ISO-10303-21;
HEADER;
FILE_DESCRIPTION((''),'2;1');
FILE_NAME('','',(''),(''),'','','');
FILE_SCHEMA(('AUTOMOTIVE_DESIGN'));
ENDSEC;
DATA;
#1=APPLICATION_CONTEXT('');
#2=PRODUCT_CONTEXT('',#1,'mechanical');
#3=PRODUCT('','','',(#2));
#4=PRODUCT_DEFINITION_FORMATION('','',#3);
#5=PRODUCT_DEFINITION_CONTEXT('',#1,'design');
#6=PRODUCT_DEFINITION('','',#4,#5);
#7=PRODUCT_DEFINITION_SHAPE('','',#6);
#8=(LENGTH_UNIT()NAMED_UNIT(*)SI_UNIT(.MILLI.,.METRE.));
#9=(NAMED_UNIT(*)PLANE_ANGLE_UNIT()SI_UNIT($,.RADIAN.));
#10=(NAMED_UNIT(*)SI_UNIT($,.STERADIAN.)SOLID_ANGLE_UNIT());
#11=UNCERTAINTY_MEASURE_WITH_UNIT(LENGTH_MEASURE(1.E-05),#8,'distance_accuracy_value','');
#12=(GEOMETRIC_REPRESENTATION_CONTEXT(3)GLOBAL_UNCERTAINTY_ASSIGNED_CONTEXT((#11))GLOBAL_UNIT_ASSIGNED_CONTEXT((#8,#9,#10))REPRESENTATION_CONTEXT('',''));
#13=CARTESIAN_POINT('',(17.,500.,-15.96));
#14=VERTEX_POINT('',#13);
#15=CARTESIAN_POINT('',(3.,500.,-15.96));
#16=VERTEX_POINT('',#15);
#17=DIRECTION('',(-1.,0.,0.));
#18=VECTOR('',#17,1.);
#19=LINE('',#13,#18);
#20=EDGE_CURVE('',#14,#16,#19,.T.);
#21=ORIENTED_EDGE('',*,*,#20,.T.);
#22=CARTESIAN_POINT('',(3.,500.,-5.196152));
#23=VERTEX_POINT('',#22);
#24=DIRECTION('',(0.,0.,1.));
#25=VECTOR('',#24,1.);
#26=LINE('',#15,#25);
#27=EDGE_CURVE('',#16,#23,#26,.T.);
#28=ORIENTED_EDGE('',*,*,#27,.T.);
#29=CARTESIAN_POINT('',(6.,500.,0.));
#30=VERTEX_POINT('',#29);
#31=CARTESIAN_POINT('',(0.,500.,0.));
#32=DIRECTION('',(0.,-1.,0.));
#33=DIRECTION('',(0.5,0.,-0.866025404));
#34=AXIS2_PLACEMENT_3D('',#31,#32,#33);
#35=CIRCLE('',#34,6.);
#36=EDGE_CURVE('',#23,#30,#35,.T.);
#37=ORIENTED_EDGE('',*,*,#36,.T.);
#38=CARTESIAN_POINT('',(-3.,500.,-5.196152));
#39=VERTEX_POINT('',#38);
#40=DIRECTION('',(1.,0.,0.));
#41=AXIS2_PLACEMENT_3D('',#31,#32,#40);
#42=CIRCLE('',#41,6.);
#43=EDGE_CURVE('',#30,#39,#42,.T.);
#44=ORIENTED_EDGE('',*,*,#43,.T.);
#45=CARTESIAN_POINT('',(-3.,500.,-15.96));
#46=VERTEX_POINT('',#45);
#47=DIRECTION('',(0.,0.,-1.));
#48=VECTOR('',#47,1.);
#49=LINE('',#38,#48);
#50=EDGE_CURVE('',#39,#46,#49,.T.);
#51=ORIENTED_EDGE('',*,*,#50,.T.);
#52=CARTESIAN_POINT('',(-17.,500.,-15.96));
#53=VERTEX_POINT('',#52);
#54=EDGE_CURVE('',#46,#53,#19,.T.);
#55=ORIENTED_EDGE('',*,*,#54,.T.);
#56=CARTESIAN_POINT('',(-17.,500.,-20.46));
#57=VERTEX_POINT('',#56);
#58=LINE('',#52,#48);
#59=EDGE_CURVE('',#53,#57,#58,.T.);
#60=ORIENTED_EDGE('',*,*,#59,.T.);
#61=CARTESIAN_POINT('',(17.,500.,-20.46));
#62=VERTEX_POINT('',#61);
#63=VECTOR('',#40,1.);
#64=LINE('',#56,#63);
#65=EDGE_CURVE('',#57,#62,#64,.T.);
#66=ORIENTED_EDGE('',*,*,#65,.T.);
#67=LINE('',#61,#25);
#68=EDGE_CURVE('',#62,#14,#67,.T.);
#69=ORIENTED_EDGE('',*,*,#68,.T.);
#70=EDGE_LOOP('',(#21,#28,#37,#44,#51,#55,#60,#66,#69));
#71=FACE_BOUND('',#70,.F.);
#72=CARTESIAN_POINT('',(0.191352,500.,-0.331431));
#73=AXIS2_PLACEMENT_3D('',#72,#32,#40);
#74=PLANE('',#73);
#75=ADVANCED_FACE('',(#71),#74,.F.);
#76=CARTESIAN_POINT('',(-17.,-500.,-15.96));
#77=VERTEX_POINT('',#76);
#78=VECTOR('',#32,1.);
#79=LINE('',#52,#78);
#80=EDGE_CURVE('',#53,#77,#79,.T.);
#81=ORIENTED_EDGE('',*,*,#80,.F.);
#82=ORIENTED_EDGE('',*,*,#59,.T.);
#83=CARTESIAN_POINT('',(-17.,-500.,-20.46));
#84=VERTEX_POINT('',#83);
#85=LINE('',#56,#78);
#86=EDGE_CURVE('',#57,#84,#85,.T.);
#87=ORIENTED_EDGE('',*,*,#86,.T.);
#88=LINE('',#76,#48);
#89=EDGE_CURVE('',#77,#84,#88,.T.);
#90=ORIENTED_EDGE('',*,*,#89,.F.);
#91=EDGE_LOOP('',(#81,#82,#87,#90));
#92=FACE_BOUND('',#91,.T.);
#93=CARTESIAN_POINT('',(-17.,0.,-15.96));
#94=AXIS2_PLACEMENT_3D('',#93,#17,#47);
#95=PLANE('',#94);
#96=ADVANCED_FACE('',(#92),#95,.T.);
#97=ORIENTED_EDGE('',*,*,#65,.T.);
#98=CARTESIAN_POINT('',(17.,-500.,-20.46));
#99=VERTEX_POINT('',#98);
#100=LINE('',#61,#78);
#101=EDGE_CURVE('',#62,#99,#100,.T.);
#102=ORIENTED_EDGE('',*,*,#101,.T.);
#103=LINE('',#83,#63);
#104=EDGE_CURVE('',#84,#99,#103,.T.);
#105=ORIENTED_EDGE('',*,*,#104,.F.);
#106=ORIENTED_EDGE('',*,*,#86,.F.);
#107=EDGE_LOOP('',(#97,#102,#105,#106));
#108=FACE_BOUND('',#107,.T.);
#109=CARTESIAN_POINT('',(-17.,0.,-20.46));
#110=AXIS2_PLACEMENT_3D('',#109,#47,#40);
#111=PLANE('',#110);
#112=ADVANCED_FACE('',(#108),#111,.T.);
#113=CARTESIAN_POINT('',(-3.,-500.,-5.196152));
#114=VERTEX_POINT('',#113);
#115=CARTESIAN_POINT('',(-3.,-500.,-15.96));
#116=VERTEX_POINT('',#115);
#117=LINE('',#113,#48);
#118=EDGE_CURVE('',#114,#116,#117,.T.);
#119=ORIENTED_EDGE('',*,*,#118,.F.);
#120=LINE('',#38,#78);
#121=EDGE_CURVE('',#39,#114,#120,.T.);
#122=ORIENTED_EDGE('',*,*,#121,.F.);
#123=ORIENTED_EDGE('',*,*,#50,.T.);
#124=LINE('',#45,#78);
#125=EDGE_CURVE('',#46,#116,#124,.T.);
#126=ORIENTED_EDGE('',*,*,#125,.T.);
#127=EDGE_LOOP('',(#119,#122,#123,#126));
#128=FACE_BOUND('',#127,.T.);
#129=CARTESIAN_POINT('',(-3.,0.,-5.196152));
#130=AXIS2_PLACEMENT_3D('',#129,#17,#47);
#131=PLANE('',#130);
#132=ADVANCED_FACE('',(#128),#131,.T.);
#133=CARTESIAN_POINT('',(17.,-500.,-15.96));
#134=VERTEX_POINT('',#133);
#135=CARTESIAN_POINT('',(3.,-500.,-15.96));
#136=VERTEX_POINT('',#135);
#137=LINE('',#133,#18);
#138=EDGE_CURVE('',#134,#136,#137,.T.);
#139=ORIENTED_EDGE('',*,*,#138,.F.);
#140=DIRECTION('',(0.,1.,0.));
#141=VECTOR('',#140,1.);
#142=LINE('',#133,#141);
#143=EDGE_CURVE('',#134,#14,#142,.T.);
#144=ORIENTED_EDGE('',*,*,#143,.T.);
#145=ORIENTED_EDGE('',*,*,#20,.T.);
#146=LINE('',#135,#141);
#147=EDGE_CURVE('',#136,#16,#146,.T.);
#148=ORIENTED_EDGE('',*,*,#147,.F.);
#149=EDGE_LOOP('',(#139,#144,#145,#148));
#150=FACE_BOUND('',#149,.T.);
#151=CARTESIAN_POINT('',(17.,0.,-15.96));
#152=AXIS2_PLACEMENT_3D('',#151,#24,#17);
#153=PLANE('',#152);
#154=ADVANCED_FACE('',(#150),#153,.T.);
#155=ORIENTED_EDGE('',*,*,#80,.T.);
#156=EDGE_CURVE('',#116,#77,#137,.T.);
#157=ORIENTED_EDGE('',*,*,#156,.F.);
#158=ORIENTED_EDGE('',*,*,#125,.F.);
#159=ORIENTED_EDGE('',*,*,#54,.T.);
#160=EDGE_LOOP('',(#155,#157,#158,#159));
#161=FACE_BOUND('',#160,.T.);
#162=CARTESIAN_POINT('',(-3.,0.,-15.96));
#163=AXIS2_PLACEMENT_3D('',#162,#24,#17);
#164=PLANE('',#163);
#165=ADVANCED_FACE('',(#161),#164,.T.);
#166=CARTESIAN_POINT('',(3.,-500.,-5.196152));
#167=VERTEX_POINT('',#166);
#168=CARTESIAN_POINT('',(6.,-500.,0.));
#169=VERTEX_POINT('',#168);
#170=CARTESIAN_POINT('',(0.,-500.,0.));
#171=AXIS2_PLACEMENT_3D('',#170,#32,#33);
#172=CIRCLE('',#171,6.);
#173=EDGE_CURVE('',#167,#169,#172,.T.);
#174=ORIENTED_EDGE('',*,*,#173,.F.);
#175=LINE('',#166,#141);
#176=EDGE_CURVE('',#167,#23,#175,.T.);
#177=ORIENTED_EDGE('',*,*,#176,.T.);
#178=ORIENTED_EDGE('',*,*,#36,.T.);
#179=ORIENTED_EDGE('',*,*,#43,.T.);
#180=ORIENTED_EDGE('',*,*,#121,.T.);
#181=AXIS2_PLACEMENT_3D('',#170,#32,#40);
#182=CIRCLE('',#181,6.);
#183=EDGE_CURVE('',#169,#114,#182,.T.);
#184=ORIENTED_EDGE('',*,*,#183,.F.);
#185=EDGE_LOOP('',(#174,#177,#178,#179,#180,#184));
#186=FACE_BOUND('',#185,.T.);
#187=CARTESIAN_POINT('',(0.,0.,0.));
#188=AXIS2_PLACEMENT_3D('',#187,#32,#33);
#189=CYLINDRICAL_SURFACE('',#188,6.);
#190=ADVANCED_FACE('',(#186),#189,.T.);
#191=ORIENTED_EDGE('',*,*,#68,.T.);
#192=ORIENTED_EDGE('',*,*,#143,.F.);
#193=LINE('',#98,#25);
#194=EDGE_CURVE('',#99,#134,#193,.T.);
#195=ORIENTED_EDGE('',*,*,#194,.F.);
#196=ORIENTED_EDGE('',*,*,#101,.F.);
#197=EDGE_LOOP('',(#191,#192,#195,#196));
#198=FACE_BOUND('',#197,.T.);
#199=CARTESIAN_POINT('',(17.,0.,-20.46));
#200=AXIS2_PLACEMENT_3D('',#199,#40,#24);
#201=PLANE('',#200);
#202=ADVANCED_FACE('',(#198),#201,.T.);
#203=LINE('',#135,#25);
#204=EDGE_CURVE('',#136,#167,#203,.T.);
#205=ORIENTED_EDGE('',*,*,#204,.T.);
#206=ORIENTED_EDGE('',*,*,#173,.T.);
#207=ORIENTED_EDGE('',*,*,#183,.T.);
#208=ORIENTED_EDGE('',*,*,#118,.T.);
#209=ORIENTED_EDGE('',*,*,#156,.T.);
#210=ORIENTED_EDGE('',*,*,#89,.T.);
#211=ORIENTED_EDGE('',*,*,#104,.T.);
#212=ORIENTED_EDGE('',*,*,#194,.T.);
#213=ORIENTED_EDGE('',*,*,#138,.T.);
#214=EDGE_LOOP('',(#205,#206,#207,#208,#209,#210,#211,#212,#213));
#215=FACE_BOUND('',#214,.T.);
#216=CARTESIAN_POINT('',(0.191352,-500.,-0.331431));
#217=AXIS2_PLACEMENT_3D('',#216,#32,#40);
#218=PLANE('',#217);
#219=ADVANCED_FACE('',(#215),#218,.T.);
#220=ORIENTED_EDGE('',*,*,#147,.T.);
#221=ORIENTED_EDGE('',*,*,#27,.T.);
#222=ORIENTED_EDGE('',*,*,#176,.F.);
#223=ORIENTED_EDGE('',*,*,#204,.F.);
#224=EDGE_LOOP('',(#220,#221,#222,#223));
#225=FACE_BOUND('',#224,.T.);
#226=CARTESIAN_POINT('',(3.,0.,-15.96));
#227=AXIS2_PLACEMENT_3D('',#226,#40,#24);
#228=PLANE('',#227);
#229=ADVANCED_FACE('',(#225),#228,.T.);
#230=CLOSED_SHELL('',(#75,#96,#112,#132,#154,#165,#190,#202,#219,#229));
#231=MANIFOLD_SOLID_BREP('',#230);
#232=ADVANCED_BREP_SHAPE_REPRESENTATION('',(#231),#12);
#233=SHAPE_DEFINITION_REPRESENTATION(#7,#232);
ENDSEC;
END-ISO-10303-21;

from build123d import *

# Parameters (mm, degrees)
F1_DEPTH = 500


with BuildPart() as f1:
    # F0 (on Front) → F1 (new body, symmetric)
    with BuildSketch(Plane.XZ):
        with BuildLine():
            ThreePointArc((3, -5.1961524227), (5.1961524227, -3), (6, 0))
            ThreePointArc((6, 0), (-3, 5.1961524227), (-3, -5.1961524227))
            ThreePointArc((-3, -5.1961524227), (0, -6), (3, -5.1961524227))
        make_face()
        Polygon((3, -15.96), (-3, -15.96), (-17, -15.96), (-17, -20.46), (0, -20.46), (17, -20.46), (17, -15.96), align=None)
        with BuildLine():
            ThreePointArc((3, -5.1961524227), (0, -6), (-3, -5.1961524227))
            Line((-3, -5.1961524227), (-3, -15.96))
            Line((-3, -15.96), (3, -15.96))
            Line((3, -15.96), (3, -5.1961524227))
        make_face()
    extrude(amount=F1_DEPTH, both=True)


solid = f1.part
